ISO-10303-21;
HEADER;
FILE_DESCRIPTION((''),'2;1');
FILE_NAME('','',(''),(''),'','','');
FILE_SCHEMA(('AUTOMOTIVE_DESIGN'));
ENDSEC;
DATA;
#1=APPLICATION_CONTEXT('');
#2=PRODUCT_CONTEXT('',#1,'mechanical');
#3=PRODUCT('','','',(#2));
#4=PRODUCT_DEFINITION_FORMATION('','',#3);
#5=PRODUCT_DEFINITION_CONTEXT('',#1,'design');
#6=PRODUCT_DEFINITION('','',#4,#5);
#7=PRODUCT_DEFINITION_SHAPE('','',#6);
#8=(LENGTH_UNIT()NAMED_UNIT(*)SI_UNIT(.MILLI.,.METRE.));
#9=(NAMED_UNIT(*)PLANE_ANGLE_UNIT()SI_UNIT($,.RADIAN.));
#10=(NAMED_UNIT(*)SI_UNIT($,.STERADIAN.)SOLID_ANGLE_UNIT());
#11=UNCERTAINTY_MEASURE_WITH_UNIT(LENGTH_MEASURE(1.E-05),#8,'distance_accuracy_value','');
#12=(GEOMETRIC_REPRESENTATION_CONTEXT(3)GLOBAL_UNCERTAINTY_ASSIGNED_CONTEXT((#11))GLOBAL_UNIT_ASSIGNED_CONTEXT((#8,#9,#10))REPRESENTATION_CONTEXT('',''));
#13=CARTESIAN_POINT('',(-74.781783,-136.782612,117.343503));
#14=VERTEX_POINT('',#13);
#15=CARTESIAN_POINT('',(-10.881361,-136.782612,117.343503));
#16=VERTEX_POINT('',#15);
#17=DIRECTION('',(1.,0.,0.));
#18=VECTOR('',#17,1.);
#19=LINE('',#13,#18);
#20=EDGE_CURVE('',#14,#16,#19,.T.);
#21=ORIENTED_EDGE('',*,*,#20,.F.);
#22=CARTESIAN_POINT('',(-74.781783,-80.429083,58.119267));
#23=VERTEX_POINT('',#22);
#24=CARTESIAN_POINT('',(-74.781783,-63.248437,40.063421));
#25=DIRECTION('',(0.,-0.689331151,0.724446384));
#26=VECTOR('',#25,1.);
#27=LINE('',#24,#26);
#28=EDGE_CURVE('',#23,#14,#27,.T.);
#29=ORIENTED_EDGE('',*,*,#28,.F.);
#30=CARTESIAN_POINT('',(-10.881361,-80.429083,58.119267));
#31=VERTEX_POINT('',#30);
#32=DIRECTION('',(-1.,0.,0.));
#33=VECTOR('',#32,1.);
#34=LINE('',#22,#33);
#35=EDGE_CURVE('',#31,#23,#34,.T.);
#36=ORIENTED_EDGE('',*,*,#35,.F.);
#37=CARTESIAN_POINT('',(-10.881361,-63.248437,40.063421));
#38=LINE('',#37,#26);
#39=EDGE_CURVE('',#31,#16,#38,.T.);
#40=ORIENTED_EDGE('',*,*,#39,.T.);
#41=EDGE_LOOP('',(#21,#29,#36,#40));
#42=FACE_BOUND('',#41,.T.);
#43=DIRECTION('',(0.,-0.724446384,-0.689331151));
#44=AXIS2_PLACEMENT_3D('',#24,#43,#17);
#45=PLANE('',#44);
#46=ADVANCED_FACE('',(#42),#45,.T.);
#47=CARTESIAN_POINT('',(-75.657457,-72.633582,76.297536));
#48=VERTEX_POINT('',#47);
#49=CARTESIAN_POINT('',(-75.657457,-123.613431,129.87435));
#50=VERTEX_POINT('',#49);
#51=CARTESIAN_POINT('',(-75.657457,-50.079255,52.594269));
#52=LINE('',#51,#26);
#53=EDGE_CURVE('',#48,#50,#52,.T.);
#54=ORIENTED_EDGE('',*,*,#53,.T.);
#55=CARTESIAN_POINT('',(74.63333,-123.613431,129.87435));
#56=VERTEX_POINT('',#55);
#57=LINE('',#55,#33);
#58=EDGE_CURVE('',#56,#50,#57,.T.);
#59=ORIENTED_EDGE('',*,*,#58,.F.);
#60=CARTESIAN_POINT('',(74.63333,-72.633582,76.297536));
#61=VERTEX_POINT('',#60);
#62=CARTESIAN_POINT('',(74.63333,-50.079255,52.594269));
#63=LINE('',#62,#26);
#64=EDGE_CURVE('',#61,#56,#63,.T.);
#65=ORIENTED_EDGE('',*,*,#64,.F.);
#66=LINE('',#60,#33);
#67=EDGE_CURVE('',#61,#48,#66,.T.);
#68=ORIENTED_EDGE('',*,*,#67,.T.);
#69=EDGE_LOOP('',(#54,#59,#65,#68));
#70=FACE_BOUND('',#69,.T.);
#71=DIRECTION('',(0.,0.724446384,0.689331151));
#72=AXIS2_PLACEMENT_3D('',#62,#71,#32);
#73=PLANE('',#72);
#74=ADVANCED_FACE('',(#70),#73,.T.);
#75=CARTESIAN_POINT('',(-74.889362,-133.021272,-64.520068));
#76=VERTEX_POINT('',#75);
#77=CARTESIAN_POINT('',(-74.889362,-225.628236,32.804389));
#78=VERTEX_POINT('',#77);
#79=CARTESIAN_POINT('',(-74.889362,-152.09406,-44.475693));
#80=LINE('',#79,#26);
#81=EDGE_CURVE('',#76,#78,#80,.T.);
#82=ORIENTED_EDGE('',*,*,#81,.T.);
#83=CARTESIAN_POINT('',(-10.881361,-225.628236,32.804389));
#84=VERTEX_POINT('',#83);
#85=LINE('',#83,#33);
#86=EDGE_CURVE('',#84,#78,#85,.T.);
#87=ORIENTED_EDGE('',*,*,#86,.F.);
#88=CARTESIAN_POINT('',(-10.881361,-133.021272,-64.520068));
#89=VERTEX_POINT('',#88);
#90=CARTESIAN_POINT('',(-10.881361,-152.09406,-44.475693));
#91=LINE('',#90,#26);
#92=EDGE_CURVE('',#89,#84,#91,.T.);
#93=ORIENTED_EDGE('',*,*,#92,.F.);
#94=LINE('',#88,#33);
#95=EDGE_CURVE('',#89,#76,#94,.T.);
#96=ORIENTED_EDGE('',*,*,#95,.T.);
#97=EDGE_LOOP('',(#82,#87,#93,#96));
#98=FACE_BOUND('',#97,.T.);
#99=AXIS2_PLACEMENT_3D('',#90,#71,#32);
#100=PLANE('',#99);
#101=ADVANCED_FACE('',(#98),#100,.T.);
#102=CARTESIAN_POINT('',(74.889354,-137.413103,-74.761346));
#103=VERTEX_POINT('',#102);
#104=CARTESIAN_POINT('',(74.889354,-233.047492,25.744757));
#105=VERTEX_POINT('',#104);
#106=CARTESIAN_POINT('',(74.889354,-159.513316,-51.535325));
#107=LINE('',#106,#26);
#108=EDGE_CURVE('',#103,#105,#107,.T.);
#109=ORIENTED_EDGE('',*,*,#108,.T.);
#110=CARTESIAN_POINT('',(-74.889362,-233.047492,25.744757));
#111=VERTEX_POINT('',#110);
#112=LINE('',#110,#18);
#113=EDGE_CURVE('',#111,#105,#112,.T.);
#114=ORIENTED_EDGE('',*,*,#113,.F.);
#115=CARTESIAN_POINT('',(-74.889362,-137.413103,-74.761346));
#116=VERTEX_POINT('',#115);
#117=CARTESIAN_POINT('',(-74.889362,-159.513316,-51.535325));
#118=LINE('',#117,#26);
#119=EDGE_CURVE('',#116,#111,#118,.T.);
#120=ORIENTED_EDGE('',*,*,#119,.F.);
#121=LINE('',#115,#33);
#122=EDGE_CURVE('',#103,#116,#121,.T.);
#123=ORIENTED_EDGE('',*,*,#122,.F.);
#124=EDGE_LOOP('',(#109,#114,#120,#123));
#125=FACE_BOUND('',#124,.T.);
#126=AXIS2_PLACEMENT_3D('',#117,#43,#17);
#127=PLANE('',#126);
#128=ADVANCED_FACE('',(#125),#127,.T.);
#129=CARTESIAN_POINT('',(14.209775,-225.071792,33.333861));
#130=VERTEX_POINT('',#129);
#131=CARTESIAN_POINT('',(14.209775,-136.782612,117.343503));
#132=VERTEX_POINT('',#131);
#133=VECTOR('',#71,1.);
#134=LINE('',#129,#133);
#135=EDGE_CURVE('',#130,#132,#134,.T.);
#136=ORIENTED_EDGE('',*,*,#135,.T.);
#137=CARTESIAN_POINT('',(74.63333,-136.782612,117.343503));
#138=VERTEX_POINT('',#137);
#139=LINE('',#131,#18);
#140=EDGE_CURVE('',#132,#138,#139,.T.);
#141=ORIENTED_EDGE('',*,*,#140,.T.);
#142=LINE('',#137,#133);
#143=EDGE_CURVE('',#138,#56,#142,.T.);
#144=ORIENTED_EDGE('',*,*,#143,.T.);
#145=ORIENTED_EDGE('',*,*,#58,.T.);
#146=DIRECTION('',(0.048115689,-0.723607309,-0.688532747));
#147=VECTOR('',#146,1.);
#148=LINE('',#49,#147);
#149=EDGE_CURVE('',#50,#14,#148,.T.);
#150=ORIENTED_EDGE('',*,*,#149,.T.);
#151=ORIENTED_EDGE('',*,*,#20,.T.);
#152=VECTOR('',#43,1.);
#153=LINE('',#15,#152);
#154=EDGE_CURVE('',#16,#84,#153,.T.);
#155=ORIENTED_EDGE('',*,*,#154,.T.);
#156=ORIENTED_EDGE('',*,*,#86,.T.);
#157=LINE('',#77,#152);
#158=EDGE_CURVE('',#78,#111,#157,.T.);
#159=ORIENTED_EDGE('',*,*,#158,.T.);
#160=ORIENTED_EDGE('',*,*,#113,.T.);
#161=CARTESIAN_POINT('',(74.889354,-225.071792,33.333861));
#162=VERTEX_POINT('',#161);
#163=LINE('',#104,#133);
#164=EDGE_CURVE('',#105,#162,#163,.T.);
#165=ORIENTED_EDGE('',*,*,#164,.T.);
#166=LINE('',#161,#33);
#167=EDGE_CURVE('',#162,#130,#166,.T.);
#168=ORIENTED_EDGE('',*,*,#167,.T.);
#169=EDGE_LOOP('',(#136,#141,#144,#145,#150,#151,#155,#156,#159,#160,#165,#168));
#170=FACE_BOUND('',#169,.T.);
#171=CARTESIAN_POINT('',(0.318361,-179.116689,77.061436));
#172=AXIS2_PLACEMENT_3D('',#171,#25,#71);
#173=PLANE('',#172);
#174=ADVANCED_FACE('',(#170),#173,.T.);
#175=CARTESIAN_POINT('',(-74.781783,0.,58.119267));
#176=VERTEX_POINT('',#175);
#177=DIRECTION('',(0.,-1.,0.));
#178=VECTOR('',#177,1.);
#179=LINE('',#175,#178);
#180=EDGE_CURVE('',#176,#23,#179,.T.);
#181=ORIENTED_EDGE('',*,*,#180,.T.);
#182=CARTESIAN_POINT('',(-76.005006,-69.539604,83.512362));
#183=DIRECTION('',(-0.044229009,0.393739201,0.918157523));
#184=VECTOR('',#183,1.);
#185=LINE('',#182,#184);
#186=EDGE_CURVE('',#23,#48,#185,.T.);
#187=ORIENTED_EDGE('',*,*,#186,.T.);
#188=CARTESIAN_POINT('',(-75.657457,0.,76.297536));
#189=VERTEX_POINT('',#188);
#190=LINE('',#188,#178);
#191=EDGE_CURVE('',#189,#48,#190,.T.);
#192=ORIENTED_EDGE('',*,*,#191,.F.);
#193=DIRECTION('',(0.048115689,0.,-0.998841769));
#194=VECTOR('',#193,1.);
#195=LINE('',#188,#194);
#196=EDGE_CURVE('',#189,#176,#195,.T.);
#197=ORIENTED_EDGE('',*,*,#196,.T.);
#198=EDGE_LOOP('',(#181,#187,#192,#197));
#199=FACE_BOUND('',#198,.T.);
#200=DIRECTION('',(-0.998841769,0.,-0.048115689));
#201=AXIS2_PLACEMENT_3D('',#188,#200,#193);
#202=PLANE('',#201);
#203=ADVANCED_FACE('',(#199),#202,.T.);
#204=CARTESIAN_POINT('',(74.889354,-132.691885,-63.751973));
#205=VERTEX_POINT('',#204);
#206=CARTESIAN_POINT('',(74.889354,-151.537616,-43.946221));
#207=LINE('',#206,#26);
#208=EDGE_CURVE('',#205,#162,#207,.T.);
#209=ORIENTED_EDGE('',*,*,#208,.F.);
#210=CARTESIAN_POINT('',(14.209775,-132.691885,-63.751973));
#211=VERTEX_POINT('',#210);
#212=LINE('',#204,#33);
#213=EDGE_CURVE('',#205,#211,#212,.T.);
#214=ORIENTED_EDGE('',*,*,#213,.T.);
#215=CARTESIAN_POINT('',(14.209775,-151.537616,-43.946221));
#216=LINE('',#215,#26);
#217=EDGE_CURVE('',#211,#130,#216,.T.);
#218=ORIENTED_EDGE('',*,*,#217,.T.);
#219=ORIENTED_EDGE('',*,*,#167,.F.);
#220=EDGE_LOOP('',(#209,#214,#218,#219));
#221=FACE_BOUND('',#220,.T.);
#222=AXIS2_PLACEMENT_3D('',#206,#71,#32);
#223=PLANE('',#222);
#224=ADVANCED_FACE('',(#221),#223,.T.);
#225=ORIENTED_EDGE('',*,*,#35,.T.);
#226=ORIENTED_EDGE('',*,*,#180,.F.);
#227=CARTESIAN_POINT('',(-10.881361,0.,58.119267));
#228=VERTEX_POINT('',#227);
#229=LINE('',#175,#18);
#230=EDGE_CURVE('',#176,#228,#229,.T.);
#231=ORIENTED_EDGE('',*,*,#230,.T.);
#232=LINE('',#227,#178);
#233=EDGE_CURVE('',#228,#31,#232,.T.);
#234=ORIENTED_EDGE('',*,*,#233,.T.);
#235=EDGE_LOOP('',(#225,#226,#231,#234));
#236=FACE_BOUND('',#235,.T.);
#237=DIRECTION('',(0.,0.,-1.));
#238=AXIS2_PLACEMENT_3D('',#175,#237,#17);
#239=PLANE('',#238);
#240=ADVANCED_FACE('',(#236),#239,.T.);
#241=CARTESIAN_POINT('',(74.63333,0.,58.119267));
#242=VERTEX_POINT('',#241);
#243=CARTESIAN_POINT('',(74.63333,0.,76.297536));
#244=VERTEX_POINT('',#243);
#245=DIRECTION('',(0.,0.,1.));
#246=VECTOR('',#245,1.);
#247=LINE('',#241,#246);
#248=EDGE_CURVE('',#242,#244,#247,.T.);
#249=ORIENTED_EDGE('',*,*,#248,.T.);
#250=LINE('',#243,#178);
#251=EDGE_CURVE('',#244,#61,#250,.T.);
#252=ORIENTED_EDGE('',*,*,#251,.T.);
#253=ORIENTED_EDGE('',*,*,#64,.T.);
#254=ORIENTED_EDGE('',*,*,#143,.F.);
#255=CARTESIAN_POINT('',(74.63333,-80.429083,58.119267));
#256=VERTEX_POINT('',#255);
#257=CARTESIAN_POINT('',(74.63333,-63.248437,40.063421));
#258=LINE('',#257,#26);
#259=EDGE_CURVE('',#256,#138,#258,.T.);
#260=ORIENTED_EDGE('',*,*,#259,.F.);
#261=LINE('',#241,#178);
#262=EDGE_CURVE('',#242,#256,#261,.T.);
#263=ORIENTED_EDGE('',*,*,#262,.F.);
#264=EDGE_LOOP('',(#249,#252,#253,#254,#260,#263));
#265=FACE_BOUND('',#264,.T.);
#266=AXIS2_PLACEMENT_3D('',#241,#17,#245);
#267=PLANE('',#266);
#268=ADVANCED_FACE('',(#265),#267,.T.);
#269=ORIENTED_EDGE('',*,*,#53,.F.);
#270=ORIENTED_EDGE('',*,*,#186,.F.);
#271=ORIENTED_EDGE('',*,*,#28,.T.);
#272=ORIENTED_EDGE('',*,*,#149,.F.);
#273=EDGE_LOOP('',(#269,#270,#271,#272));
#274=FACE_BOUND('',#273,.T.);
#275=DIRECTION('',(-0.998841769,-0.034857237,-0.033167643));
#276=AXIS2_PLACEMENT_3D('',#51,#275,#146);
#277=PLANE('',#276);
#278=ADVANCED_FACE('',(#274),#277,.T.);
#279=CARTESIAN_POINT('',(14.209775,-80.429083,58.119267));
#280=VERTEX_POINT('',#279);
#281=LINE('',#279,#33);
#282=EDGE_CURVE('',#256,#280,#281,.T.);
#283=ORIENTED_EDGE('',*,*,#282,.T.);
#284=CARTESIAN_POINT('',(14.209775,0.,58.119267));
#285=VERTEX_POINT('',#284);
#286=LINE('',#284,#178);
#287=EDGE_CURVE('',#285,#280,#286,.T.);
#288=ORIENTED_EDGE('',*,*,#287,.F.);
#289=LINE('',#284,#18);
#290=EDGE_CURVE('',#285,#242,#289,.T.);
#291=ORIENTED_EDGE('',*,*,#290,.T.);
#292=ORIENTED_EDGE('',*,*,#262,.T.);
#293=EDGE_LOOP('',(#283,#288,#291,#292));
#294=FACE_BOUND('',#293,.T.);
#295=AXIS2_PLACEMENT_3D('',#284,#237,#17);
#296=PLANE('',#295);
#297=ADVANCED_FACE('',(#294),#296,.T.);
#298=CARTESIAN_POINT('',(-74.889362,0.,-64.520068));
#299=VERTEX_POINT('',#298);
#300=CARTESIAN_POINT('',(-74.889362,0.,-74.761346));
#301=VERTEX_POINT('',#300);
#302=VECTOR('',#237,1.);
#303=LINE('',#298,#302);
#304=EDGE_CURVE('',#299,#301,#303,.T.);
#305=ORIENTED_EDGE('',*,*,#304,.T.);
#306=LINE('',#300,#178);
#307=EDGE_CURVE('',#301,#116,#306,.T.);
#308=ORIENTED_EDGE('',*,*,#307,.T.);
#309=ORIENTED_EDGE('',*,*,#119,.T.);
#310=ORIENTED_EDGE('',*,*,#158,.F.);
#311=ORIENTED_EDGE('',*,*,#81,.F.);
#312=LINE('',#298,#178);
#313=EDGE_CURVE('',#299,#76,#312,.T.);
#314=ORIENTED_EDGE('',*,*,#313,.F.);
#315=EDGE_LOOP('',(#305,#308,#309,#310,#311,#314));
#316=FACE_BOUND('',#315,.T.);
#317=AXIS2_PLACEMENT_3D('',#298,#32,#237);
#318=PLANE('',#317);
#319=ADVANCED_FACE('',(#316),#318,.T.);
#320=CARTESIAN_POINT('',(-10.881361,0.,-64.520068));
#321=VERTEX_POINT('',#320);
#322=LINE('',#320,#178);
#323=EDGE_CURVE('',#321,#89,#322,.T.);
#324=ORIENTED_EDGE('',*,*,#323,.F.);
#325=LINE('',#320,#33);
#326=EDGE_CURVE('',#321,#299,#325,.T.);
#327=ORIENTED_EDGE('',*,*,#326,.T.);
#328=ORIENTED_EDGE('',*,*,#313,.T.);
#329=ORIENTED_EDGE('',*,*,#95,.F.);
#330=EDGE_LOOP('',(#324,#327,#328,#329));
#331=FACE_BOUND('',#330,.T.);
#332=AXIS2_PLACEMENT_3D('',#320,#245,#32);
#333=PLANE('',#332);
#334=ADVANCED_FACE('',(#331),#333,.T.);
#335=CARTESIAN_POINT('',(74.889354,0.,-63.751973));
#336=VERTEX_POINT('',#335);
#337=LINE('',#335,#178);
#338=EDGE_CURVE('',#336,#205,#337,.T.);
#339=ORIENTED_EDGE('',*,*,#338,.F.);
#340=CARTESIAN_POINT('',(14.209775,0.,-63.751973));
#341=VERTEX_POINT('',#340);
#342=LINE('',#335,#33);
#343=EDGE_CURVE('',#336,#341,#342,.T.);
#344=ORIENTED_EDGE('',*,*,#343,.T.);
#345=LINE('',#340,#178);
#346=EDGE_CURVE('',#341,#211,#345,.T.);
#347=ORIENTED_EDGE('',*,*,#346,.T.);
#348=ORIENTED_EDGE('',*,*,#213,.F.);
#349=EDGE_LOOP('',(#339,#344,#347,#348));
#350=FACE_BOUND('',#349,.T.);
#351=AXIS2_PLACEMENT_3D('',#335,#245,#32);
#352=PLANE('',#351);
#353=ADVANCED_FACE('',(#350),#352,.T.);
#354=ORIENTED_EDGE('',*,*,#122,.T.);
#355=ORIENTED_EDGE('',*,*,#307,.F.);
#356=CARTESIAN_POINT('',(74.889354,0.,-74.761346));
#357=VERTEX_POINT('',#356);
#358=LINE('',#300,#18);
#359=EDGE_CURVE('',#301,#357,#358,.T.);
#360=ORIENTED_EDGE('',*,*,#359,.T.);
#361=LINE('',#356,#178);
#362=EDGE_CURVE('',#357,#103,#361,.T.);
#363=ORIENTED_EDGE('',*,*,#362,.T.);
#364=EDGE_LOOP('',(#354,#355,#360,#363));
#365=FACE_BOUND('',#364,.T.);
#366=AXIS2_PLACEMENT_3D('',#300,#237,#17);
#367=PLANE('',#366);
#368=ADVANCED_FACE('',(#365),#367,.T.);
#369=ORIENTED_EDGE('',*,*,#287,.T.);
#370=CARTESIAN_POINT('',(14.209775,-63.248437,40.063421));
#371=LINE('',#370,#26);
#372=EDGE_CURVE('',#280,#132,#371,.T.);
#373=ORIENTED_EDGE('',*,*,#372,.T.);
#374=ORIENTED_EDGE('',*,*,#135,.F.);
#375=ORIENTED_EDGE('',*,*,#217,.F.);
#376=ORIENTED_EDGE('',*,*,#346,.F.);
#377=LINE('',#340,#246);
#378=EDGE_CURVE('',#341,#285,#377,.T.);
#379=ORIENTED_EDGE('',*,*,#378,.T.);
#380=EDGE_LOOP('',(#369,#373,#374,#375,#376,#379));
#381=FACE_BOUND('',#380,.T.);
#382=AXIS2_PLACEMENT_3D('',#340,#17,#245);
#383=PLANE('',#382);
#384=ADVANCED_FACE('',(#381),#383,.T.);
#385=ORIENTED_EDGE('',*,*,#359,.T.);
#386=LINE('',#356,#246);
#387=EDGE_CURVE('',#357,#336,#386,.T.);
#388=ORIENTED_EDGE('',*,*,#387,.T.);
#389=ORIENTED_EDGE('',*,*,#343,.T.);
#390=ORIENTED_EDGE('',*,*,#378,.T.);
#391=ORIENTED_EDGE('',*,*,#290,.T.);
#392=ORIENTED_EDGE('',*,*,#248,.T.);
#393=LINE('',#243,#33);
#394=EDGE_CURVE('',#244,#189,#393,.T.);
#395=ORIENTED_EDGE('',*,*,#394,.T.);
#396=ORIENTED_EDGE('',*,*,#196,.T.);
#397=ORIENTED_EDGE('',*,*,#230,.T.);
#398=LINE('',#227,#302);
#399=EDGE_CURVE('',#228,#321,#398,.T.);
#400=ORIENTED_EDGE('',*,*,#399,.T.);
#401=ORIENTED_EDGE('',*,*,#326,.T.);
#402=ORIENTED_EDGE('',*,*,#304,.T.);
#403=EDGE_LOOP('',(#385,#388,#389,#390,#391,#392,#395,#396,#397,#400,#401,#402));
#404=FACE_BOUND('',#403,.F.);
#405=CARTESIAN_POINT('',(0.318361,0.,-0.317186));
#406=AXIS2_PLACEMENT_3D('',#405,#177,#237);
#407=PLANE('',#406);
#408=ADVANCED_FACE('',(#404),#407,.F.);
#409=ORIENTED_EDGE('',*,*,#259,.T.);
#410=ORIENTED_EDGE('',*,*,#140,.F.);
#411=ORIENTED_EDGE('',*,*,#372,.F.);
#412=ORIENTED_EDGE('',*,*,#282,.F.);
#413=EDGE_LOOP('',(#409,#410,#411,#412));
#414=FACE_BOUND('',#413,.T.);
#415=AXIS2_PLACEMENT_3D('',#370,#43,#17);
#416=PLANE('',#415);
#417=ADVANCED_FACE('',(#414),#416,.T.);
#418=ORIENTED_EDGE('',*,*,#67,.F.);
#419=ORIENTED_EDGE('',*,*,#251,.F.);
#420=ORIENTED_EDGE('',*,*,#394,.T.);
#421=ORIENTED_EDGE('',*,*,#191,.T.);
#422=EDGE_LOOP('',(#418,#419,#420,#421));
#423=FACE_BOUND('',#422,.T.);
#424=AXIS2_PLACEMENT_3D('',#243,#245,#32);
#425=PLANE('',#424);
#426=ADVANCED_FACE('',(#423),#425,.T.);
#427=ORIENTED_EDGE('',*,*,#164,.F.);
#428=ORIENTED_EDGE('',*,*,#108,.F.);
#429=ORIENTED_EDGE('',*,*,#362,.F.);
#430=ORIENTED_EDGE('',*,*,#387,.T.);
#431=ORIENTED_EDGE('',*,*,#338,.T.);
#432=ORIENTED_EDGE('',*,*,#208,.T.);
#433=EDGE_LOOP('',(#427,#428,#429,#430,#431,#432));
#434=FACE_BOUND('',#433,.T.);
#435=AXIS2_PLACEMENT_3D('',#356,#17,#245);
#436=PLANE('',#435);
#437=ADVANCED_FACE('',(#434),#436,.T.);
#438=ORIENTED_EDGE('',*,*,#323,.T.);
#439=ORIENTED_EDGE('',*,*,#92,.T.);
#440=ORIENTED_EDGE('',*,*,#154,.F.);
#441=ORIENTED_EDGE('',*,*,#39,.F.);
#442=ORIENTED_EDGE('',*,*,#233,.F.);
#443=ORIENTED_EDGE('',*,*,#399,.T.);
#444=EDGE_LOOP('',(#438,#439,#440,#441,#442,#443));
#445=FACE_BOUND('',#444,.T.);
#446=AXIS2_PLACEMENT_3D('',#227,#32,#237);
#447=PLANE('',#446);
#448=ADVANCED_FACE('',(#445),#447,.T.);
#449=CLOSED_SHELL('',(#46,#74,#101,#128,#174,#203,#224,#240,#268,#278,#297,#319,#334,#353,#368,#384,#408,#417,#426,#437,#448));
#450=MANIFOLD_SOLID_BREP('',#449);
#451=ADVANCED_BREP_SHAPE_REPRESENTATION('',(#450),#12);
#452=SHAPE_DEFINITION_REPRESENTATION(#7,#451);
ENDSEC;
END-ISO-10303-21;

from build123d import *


with BuildPart() as f2:
    # F2: sweep along a path in F1
    with BuildLine(Plane.YZ) as f2_path:
        Line((0, 0), (-105.3527295589, 0))
        Line((-105.3527295589, 0), (-178.8869053125, 77.2800818086))
    # F0 (on Front) → F2 (sweep)
    with BuildSketch(Plane.XZ):
        Polygon((74.6333301067, 76.2975364923), (-75.6574571133, 76.2975364923), (-74.7817829251, 58.1192672253), (-10.8813606203, 58.1192672253), (-10.8813606203, -64.5200684667), (-74.8893618584, -64.5200684667), (-74.8893618584, -74.7613459826), (74.8893544078, -74.7613459826), (74.8893544078, -63.7519732118), (14.2097752541, -63.7519732118), (14.2097752541, 58.1192672253), (74.6333301067, 58.1192672253), align=None)
    sweep(path=f2_path.line, transition=Transition.RIGHT)


solid = f2.part
